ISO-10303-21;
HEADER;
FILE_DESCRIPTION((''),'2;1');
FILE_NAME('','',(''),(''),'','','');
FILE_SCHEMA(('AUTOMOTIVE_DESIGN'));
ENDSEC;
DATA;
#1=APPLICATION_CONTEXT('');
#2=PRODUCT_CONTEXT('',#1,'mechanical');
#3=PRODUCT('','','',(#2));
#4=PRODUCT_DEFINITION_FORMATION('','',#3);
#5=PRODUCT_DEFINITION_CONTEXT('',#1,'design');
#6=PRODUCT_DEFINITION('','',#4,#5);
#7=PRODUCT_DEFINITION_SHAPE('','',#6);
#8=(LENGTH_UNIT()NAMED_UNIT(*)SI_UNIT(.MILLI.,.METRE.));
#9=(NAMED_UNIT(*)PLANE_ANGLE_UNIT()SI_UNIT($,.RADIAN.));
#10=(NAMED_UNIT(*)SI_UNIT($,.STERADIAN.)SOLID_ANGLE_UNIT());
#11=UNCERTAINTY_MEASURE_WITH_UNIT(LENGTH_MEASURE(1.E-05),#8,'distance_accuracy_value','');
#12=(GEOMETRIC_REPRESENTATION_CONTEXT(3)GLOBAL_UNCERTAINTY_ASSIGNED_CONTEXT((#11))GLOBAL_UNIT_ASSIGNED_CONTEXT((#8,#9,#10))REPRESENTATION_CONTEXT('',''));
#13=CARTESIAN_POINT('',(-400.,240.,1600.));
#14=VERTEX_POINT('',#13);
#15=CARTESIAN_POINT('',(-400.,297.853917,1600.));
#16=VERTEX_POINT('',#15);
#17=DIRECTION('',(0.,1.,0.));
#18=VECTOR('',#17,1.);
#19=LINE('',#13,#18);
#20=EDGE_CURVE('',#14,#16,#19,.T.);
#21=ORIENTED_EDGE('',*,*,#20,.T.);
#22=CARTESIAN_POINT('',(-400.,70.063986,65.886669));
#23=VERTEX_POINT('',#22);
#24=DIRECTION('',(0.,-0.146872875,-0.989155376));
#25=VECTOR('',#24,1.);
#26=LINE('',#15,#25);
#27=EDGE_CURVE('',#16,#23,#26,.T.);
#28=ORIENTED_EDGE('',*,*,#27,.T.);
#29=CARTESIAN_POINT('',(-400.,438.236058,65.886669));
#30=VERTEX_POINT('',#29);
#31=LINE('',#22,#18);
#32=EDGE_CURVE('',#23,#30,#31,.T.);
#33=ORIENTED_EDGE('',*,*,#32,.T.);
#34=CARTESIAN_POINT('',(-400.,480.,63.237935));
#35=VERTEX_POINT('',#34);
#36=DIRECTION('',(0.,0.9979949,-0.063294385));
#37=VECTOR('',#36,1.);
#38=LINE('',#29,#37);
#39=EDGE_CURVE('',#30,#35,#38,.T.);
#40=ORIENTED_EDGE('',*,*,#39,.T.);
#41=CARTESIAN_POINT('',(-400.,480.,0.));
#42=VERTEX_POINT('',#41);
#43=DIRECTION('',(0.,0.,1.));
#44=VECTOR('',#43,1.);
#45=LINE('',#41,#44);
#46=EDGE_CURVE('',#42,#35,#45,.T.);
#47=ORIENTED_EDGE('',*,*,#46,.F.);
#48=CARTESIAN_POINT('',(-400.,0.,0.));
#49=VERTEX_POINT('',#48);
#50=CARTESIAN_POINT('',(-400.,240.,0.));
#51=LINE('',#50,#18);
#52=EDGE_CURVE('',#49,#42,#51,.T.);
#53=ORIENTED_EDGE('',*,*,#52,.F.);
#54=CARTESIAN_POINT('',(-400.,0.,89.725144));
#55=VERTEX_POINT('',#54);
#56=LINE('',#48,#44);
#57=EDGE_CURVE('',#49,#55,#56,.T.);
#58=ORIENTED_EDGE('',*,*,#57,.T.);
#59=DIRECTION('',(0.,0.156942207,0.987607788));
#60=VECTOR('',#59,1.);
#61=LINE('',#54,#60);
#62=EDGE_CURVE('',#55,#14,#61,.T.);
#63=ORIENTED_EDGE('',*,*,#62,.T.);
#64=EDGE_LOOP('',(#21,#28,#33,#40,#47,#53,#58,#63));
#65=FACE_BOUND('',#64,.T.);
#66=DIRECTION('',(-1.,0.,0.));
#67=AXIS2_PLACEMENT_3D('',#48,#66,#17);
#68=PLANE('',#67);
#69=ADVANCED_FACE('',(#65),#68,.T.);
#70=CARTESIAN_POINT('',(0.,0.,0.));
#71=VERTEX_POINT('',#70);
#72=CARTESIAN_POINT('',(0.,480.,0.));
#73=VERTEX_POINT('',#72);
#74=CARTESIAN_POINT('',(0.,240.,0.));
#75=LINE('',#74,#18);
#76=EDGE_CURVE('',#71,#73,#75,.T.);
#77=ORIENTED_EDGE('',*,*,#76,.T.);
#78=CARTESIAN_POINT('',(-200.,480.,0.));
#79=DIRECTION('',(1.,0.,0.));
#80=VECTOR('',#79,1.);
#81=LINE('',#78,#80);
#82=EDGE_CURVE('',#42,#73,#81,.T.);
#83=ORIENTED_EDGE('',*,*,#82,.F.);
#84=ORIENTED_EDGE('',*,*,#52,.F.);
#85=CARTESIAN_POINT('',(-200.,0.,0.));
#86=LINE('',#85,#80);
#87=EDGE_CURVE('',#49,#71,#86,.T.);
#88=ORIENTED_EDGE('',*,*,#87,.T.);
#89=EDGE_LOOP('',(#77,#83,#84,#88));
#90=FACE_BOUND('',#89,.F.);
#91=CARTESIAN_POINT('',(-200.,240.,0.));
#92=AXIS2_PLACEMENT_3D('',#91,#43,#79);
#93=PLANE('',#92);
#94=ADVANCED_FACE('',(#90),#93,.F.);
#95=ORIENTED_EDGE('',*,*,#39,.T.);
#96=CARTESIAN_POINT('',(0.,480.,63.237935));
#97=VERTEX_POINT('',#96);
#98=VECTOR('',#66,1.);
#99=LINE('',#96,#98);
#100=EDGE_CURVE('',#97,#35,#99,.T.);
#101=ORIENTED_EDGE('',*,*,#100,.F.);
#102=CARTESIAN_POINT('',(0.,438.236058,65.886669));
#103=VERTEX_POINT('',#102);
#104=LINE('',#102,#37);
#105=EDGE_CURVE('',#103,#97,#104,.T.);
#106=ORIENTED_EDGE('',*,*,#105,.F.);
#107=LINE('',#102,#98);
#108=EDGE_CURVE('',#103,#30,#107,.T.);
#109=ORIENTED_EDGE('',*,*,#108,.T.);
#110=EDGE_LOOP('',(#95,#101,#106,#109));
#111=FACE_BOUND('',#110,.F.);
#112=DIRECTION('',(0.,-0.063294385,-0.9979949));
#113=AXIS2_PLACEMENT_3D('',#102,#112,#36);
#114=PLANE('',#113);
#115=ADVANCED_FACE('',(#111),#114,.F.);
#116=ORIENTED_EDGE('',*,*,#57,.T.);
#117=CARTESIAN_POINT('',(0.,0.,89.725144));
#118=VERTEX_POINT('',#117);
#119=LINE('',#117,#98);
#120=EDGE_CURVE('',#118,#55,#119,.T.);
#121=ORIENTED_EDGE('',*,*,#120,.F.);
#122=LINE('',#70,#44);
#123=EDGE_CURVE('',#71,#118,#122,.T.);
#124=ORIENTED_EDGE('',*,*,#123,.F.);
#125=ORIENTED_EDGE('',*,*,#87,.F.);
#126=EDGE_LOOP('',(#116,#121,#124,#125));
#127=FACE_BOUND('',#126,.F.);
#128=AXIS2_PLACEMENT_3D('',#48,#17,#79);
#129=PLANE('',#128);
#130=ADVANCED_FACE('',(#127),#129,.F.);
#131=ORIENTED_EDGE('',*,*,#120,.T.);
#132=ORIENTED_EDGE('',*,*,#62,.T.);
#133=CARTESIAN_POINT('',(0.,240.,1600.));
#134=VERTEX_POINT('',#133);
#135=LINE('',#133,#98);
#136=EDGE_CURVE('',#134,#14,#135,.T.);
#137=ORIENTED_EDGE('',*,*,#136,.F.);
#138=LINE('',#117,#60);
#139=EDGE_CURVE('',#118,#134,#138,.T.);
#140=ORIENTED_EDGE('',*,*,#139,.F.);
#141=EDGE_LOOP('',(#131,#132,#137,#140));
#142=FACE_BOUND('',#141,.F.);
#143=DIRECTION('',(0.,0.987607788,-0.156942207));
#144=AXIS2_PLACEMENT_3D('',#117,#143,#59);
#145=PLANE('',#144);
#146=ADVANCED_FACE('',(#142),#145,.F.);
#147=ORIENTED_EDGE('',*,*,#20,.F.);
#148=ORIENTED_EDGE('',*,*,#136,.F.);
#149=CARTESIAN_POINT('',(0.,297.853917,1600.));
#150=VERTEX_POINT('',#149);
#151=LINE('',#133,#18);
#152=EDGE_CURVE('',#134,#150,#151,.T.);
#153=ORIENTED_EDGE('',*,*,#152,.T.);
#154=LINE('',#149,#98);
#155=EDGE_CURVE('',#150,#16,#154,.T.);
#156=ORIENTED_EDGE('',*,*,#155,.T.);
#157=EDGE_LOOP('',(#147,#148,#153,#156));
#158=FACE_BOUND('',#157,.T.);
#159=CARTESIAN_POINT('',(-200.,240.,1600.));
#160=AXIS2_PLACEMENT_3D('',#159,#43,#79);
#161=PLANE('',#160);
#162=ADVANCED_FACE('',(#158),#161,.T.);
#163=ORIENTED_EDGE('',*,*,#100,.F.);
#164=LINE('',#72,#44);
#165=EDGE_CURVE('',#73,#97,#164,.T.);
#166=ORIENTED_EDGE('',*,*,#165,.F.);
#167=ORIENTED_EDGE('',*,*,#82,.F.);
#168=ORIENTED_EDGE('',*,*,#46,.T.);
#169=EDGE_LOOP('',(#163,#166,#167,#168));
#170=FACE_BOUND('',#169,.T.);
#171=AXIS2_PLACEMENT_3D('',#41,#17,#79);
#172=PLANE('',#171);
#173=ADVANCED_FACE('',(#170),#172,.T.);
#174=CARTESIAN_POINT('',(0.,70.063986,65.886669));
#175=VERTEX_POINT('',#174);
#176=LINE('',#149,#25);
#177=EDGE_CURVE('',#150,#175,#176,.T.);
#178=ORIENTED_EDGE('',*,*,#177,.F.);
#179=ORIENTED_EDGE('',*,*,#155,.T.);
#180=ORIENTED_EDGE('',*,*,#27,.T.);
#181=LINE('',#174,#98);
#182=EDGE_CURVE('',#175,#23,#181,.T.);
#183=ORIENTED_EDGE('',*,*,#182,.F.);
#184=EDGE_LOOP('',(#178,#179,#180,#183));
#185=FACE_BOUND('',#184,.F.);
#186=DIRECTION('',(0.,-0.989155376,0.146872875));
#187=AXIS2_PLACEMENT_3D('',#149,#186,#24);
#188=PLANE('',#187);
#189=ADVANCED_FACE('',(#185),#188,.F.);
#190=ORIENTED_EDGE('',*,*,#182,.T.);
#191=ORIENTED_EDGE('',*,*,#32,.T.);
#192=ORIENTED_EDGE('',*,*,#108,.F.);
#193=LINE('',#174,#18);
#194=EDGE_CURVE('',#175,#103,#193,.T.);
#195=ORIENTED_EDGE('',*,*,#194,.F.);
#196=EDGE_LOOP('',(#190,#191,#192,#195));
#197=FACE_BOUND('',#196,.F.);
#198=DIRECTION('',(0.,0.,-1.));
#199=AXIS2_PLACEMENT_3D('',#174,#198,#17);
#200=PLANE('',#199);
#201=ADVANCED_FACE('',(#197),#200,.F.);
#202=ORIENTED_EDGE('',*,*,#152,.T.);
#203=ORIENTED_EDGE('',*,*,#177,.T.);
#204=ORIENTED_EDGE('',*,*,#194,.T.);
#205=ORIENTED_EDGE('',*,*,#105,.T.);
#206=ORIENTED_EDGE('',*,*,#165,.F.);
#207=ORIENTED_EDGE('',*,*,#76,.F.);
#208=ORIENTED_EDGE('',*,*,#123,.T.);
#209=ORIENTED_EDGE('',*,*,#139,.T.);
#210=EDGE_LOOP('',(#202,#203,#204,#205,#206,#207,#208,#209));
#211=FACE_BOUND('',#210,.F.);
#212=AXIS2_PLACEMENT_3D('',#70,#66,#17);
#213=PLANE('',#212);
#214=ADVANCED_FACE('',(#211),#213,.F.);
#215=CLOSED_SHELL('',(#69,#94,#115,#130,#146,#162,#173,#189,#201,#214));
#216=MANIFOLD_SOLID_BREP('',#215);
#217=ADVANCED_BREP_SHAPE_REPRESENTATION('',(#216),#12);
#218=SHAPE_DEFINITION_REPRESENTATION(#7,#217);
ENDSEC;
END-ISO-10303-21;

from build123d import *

# Parameters (mm, degrees)
F0_W     = 400
F0_H     = 480
F1_DEPTH = 1600
F3_DEPTH = 400


with BuildPart() as f1:
    # F0 (on Top) → F1 (new body)
    with BuildSketch(Plane.XY):
        with Locations((-200, 240)):
            Rectangle(F0_W, F0_H)
    extrude(amount=F1_DEPTH)

    # F2 (on face) → F3 (cut, through all)
    with BuildSketch(Plane.YZ):
        Polygon((0, 89.725144), (240, 1600), (0, 1600), align=None)
        Polygon((70.063986, 65.886669), (438.236058, 65.886669), (480, 63.237935), (480, 1600), (297.853917, 1600), align=None)
    extrude(amount=-F3_DEPTH, mode=Mode.SUBTRACT)


solid = f1.part
